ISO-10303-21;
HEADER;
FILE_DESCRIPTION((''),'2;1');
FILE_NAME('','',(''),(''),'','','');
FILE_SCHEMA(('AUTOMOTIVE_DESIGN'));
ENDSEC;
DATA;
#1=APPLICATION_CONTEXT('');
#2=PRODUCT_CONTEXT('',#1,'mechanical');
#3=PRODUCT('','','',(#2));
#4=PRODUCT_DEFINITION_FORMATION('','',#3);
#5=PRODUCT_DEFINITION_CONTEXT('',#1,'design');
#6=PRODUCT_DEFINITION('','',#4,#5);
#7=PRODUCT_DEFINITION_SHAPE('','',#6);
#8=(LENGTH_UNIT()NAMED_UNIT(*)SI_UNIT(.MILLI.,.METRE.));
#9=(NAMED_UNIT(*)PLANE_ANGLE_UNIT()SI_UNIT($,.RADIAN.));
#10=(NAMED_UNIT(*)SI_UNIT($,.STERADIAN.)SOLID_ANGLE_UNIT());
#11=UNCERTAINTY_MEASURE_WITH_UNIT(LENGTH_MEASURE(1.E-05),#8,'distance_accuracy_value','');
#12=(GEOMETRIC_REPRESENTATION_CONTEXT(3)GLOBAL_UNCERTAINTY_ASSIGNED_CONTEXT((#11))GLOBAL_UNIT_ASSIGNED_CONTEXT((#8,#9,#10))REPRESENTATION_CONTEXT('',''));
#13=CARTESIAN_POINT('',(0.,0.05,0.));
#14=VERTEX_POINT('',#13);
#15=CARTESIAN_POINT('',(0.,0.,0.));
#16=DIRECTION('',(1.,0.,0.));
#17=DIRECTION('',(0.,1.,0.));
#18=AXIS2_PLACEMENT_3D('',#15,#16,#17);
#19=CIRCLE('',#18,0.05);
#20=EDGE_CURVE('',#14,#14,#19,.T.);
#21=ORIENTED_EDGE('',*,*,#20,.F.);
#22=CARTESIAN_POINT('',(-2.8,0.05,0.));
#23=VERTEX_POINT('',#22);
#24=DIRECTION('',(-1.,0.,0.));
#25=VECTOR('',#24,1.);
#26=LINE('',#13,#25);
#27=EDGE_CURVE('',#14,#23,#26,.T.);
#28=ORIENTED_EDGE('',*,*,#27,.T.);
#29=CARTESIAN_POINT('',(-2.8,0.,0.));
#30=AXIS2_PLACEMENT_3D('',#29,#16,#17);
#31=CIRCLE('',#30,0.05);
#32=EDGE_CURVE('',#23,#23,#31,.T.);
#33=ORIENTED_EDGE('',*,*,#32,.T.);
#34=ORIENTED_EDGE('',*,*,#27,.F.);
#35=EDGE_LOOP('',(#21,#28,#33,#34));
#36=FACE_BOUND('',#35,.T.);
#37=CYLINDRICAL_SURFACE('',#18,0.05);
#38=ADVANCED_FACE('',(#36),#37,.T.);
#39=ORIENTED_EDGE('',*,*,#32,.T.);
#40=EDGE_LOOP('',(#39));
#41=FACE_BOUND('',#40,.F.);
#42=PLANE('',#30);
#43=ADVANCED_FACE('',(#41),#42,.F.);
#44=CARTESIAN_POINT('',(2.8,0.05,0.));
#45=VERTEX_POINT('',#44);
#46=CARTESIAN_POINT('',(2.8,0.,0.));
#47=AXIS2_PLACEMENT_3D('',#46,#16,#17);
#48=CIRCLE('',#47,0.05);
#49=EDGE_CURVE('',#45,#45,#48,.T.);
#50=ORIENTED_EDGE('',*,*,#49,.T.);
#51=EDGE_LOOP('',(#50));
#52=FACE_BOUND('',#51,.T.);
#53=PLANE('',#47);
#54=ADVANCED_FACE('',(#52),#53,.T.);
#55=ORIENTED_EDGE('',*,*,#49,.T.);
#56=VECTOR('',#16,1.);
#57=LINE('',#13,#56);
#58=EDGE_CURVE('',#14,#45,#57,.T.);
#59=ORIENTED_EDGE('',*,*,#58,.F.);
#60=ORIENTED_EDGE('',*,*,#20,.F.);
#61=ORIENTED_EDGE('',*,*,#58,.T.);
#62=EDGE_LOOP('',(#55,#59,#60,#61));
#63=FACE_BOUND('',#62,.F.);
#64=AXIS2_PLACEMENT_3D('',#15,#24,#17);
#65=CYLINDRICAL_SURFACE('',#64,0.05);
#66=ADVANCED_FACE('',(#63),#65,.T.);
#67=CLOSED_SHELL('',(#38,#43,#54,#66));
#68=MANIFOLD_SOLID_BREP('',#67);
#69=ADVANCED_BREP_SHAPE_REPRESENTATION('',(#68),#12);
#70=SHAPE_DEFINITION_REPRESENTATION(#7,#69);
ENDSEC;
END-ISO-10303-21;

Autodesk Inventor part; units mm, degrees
ref_plane "YZ Plane" through (0, 0, 0) normal (1, 0, 0) x (0, 1, 0)
ref_plane "XZ Plane" through (0, 0, 0) normal (0, 1, 0) x (-1, 0, 0)
ref_plane "XY Plane" through (0, 0, 0) normal (0, 0, 1) x (1, 0, 0)
sketch "Sketch1" plane through (0, 0, 0) normal (1, 0, 0) x (0, 1, 0)
  circle A0 centre (0, 0) radius 0.05
  dimension "d0" = 0.1
extrude "Extrusion1" add sketch "Sketch1" along normal mid plane 5.6
properties part number "Bone13_4_fix"
